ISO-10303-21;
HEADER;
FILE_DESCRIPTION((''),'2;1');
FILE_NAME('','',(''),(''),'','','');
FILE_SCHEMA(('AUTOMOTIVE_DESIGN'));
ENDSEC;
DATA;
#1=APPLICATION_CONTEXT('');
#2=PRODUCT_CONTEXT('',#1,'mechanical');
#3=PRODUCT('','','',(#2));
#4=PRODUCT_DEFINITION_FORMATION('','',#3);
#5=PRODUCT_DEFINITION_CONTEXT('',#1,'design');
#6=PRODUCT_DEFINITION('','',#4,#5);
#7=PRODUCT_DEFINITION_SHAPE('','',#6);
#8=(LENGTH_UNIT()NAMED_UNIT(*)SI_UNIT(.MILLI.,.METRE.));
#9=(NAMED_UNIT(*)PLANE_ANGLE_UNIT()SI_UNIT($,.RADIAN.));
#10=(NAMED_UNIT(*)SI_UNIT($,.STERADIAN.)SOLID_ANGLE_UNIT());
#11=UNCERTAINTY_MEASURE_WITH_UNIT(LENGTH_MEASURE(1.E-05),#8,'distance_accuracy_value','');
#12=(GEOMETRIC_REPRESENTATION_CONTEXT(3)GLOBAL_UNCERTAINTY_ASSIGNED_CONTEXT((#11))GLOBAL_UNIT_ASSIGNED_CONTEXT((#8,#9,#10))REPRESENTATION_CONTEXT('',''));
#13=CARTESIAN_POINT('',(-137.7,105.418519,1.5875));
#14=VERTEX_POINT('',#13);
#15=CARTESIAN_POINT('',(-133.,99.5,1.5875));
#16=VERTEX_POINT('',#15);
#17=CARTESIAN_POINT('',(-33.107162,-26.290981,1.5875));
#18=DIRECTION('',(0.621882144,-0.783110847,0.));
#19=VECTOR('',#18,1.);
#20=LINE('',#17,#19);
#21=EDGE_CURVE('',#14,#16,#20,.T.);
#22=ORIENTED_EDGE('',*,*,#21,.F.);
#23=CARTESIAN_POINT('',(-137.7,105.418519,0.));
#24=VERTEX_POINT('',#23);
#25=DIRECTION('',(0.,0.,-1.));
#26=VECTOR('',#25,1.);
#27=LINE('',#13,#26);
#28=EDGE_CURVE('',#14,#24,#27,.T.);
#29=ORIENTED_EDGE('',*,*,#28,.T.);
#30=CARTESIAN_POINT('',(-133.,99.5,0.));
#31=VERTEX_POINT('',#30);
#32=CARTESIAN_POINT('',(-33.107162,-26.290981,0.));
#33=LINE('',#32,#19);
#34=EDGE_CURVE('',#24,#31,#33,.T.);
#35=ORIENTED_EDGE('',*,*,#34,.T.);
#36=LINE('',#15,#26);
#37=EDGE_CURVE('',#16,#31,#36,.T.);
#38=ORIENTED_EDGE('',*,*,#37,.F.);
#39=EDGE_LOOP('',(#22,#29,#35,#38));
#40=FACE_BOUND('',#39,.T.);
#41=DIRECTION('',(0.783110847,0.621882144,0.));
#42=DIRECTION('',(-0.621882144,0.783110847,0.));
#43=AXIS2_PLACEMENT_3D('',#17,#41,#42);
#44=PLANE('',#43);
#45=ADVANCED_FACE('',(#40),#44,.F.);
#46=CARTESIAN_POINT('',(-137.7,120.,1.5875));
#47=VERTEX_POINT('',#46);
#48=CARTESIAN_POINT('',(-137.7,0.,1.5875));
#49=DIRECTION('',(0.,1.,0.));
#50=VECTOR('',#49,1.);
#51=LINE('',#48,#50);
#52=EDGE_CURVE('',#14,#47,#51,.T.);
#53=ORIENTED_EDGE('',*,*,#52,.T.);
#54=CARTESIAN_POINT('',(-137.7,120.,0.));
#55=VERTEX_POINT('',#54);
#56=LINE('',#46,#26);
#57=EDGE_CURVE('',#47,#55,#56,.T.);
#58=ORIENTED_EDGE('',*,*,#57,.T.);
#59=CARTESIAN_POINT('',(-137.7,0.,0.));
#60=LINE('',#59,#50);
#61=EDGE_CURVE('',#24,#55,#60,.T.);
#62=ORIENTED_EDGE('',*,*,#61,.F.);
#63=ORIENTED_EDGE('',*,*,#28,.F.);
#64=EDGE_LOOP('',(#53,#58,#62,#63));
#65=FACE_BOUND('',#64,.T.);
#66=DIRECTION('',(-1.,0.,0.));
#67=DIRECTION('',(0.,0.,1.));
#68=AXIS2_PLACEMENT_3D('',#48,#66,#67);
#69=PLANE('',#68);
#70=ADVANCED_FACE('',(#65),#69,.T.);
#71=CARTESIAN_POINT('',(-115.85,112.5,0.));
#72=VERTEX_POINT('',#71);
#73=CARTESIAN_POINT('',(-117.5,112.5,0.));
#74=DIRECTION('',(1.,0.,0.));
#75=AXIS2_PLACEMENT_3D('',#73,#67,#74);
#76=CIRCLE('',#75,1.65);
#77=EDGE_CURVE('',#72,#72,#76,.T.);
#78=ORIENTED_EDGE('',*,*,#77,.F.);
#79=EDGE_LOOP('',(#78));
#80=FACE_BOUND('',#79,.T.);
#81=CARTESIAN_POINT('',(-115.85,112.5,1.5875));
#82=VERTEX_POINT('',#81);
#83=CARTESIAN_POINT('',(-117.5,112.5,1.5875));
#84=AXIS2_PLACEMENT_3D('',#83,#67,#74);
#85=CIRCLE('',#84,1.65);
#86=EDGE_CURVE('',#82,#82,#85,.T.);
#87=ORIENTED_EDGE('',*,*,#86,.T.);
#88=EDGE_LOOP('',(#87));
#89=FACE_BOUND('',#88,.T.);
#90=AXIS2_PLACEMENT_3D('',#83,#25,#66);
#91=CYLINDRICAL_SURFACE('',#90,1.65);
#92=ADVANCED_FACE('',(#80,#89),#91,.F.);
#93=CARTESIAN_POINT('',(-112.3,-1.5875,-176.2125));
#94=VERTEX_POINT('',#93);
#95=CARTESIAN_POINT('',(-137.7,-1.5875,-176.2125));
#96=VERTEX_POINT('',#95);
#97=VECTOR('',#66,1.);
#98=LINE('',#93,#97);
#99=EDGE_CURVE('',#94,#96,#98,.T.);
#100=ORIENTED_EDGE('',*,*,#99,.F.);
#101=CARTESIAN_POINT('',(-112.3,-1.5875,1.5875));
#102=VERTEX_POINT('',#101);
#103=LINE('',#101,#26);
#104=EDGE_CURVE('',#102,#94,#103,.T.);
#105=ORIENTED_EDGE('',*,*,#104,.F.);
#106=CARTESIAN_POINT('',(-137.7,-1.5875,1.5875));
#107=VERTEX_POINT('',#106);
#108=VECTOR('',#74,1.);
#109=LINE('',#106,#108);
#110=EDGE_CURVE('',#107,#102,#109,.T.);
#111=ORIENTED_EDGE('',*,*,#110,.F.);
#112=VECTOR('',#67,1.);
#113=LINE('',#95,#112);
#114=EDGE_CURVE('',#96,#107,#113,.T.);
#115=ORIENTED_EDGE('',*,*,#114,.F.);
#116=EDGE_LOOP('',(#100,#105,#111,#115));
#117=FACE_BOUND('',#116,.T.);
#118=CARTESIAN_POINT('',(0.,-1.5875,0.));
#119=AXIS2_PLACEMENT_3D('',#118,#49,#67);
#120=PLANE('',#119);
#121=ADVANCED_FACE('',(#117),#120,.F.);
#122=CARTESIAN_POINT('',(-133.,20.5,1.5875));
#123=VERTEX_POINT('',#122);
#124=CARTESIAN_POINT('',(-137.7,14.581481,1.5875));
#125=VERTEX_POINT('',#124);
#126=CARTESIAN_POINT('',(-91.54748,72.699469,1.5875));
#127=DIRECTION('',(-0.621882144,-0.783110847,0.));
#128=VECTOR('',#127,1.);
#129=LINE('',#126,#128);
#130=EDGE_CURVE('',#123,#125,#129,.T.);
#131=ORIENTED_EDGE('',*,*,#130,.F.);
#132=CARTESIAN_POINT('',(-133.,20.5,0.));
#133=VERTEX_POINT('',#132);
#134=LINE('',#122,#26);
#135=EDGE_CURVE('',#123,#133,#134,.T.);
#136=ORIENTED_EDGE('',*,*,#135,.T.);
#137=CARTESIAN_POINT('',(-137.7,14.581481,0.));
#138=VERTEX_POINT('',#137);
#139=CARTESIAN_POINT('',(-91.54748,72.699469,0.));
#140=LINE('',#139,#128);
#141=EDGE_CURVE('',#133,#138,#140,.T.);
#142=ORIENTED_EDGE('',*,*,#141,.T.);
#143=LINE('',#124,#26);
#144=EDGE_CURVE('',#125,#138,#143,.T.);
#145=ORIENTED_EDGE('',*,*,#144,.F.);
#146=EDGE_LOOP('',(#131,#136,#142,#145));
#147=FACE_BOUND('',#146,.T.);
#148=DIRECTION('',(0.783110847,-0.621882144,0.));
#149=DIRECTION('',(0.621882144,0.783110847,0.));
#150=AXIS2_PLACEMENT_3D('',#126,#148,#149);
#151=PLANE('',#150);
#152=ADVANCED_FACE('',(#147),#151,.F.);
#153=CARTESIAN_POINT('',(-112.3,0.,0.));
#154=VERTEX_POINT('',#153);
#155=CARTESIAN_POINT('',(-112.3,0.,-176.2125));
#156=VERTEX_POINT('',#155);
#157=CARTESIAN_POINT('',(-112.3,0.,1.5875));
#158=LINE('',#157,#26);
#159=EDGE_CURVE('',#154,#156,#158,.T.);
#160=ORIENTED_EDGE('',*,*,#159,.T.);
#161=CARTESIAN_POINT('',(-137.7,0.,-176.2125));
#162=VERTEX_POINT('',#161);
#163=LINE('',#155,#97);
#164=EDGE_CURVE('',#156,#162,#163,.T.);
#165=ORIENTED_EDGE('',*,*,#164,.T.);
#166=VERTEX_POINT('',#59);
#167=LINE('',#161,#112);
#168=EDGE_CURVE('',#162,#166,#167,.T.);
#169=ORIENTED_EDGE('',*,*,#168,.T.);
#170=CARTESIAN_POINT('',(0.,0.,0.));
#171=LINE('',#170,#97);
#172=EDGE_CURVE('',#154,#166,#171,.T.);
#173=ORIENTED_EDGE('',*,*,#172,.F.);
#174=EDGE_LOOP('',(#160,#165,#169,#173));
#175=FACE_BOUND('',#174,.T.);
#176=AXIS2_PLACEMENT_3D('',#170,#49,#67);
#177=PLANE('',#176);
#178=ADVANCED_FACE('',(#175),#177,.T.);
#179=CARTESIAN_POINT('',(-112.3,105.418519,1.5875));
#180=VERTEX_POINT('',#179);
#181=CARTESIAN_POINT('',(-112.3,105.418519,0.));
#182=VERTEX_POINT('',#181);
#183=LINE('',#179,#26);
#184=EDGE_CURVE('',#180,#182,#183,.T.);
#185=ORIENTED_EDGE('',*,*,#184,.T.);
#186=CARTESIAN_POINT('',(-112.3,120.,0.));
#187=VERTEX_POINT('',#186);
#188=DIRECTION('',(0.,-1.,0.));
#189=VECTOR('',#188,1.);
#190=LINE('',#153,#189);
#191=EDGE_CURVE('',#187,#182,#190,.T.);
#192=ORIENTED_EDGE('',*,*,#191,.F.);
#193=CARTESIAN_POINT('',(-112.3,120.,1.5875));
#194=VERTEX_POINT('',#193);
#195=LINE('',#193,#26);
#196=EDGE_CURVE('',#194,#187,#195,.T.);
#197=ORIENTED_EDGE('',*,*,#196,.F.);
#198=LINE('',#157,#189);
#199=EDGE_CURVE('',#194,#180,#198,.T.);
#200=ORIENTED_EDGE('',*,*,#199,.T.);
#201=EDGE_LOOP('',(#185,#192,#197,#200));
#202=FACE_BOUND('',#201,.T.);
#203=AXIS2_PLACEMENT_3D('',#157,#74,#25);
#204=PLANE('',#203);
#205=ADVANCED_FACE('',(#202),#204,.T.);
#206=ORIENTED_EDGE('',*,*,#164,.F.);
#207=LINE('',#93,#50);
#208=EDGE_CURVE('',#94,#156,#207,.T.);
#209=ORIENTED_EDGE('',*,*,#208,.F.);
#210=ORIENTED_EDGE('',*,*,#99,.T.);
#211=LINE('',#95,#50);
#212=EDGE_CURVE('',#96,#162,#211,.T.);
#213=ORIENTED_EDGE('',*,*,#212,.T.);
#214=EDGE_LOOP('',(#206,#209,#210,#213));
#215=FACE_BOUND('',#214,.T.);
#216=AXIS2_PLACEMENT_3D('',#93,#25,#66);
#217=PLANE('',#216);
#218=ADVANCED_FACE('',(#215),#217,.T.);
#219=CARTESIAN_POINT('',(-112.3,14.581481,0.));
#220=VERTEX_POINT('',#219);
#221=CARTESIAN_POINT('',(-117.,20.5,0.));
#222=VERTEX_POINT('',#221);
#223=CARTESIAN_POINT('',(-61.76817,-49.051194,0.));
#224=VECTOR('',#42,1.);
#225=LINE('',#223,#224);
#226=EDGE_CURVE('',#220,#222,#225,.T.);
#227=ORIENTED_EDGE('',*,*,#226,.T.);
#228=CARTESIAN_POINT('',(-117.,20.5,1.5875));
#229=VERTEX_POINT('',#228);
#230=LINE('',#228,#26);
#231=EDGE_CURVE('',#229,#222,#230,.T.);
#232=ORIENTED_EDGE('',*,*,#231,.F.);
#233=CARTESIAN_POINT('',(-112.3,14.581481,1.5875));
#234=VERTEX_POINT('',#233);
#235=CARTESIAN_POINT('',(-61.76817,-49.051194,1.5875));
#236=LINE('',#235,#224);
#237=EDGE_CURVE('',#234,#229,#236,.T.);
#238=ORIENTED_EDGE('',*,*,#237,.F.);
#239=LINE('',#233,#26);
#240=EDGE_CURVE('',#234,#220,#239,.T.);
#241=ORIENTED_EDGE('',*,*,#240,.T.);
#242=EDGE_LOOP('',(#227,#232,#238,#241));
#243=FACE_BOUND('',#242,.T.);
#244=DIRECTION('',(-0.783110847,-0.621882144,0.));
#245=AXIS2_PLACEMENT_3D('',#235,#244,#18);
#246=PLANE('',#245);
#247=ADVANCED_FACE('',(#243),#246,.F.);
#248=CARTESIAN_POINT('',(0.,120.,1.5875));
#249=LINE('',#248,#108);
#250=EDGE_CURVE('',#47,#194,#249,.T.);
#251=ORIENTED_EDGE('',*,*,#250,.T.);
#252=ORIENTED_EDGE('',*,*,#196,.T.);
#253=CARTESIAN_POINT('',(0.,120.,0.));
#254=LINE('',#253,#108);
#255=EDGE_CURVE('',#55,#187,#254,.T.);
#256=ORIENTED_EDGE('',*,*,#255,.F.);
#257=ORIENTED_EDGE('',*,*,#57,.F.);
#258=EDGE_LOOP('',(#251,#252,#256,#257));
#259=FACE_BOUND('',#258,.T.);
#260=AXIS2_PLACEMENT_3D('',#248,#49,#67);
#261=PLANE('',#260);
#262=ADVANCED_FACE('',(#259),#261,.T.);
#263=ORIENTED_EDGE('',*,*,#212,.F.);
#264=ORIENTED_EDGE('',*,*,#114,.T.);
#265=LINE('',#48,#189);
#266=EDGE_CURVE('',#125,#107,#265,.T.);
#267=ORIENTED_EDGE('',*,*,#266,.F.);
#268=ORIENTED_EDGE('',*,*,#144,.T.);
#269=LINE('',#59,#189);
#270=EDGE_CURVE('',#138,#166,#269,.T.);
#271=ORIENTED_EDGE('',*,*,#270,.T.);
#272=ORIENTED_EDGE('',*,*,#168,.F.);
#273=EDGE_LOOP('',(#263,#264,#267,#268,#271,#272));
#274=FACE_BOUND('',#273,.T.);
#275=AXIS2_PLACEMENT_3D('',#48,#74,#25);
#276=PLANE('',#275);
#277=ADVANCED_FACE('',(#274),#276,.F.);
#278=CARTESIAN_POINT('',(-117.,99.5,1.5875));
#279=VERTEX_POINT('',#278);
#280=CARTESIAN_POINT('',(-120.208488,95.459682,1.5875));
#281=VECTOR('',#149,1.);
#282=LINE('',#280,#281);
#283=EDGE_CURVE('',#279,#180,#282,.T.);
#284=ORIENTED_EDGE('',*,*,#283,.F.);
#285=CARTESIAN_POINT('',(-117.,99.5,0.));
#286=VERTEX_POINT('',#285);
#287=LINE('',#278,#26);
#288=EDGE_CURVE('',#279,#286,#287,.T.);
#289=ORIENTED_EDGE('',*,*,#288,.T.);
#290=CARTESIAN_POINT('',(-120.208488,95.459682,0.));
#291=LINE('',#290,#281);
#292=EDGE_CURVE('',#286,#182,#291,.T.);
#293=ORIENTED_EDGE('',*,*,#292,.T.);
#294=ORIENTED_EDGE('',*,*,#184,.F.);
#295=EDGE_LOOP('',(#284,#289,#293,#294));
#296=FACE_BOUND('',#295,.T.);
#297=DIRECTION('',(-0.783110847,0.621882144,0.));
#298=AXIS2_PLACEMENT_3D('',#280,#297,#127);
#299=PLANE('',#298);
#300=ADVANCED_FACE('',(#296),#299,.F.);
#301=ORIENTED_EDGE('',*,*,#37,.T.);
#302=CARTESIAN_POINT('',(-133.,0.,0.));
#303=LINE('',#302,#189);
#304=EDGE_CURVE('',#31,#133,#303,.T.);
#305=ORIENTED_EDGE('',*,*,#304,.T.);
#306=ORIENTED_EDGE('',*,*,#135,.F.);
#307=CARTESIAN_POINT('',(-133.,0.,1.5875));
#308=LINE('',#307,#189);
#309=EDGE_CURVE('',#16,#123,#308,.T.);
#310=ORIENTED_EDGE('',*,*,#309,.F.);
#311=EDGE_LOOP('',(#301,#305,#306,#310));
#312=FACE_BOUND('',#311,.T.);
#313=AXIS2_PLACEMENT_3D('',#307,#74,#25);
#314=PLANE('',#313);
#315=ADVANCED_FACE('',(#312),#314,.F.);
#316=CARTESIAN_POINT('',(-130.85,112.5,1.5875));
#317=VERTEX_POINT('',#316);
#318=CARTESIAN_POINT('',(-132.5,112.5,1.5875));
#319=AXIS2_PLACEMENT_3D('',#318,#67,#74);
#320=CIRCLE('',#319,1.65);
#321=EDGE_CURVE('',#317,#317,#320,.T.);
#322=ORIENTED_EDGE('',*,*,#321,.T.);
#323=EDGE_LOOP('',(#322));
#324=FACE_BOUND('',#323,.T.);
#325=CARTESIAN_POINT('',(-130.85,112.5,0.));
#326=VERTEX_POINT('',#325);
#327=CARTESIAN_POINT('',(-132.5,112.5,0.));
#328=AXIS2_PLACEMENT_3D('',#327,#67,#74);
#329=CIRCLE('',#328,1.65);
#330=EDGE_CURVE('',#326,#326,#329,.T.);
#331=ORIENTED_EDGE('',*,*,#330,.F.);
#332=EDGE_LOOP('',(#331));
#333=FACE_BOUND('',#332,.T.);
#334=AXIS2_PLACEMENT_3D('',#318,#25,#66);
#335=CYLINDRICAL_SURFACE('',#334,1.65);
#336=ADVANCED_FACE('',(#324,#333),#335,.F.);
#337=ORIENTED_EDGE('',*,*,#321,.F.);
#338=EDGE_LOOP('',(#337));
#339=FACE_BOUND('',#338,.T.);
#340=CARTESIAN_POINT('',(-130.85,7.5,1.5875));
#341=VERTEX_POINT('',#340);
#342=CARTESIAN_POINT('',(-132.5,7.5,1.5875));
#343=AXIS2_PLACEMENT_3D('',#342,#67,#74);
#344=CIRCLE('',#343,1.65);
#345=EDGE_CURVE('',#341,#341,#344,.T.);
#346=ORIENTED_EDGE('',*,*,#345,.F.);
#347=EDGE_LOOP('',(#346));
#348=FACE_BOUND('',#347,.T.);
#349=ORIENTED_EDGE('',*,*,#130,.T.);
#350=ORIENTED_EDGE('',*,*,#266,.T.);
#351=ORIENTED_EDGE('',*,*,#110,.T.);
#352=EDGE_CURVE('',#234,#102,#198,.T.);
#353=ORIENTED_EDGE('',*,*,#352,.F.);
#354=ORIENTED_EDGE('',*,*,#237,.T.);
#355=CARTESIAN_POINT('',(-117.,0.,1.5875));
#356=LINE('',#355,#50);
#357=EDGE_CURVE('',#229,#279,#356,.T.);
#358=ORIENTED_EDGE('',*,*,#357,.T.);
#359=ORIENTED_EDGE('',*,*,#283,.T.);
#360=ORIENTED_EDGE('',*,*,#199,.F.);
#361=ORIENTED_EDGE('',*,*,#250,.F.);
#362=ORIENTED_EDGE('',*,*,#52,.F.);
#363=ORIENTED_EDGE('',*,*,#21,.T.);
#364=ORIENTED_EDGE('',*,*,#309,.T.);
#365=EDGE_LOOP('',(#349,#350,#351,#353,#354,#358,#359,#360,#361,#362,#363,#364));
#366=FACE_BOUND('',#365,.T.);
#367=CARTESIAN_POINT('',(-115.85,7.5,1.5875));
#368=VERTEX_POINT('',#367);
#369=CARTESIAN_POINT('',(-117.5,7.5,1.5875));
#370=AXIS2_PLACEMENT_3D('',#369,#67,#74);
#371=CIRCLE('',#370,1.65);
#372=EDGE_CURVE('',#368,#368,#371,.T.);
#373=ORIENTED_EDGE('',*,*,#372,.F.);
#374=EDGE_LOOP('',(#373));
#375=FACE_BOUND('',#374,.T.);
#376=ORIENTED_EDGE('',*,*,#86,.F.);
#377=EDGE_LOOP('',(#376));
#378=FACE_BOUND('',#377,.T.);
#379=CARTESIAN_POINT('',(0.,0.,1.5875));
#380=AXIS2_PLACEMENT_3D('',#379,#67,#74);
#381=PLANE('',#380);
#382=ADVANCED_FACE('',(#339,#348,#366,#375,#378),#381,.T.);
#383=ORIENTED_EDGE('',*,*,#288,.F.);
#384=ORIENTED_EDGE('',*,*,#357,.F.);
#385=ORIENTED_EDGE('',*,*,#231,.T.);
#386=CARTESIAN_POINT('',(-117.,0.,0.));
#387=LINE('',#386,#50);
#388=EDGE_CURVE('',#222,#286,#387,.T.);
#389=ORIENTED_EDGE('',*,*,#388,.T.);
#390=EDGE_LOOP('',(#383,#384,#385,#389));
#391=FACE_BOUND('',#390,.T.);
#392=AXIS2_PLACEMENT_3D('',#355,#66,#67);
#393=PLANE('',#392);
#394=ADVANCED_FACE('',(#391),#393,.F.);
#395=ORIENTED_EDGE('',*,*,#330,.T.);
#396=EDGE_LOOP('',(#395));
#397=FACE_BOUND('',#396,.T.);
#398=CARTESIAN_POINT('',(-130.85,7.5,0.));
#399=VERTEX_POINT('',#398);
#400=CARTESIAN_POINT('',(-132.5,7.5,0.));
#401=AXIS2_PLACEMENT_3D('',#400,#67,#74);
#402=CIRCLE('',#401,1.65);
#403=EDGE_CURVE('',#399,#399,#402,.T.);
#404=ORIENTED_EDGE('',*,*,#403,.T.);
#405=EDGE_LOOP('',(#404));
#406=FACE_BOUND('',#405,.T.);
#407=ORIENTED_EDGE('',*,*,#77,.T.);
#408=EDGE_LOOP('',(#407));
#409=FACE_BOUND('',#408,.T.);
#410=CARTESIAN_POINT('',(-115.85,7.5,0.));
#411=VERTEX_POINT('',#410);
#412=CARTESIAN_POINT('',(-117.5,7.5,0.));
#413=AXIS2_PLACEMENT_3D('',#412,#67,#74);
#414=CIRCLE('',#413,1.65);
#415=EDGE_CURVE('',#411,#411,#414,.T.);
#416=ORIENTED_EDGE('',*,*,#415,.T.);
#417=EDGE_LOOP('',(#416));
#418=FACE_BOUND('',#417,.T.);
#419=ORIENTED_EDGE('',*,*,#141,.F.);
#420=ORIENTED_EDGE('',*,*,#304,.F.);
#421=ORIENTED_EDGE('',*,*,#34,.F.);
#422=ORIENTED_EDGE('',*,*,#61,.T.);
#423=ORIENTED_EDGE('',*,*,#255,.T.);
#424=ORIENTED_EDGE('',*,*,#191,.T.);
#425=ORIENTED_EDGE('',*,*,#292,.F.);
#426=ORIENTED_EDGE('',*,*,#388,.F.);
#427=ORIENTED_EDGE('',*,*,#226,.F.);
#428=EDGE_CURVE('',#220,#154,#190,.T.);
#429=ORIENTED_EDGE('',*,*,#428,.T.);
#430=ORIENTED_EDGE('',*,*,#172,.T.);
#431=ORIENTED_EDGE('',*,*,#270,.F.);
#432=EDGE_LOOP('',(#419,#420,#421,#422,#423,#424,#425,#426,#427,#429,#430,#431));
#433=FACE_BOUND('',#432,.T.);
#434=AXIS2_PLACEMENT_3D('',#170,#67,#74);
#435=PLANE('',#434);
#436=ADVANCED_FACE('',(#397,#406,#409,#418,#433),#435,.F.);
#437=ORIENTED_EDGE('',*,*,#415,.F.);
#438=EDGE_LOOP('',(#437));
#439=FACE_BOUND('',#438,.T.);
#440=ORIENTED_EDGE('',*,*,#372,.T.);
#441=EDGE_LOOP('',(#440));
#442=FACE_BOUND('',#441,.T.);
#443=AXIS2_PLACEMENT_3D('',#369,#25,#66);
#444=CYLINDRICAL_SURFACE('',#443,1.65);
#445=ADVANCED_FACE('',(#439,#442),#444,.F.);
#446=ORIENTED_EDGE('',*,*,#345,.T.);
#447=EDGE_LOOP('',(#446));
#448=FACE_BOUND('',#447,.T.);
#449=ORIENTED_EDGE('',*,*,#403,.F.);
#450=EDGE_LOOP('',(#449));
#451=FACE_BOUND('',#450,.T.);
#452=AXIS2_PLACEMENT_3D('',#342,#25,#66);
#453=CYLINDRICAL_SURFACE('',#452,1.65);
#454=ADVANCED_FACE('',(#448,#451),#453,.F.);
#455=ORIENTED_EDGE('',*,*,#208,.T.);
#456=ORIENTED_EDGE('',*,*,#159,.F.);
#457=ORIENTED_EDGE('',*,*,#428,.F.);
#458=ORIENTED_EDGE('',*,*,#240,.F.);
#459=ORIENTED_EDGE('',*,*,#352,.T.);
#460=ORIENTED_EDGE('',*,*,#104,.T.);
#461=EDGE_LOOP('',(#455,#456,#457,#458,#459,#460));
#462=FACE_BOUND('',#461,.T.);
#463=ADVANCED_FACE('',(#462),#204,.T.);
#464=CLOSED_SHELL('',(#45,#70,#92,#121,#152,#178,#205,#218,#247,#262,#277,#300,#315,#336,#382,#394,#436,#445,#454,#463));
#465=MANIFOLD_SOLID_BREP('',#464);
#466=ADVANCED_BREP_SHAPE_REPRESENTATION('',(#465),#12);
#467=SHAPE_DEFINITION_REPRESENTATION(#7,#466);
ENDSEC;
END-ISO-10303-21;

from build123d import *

# Parameters (mm, degrees)
BOSS_EXTRUDE1_DEPTH = 1.5875
SKETCH2_W           = 25.4
SKETCH2_H           = 177.8
BOSS_EXTRUDE2_DEPTH = 1.5875


with BuildPart() as part:
    # Sketch1 → Boss-Extrude1 (new body)
    with BuildSketch(Plane.XY):
        Polygon((-117, 20.5), (-117, 99.5), (-112.3, 105.418518519), (-112.3, 120), (-137.7, 120), (-137.7, 105.418518519), (-133, 99.5), (-133, 20.5), (-137.7, 14.581481481), (-137.7, 0), (-112.3, 0), (-112.3, 14.581481481), align=None)
        with BuildLine():
            ThreePointArc((-130.85, 7.5), (-132.5, 5.85), (-134.15, 7.5))
            ThreePointArc((-134.15, 7.5), (-132.5, 9.15), (-130.85, 7.5))
        make_face(mode=Mode.SUBTRACT)
        with BuildLine():
            ThreePointArc((-119.15, 7.5), (-117.5, 9.15), (-115.85, 7.5))
            ThreePointArc((-115.85, 7.5), (-117.5, 5.85), (-119.15, 7.5))
        make_face(mode=Mode.SUBTRACT)
        with BuildLine():
            ThreePointArc((-130.85, 112.5), (-132.5, 110.85), (-134.15, 112.5))
            ThreePointArc((-134.15, 112.5), (-132.5, 114.15), (-130.85, 112.5))
        make_face(mode=Mode.SUBTRACT)
        with BuildLine():
            ThreePointArc((-115.85, 112.5), (-117.5, 110.85), (-119.15, 112.5))
            ThreePointArc((-119.15, 112.5), (-117.5, 114.15), (-115.85, 112.5))
        make_face(mode=Mode.SUBTRACT)
    extrude(amount=BOSS_EXTRUDE1_DEPTH)

    # Sketch2 → Boss-Extrude2 (add)
    with BuildSketch(Plane(origin=(0, 0, 0), x_dir=(1, 0, 0), z_dir=(0, 1, 0))):
        with Locations((-125, 87.3125)):
            Rectangle(SKETCH2_W, SKETCH2_H)
    extrude(amount=-BOSS_EXTRUDE2_DEPTH)


solid = part.part
